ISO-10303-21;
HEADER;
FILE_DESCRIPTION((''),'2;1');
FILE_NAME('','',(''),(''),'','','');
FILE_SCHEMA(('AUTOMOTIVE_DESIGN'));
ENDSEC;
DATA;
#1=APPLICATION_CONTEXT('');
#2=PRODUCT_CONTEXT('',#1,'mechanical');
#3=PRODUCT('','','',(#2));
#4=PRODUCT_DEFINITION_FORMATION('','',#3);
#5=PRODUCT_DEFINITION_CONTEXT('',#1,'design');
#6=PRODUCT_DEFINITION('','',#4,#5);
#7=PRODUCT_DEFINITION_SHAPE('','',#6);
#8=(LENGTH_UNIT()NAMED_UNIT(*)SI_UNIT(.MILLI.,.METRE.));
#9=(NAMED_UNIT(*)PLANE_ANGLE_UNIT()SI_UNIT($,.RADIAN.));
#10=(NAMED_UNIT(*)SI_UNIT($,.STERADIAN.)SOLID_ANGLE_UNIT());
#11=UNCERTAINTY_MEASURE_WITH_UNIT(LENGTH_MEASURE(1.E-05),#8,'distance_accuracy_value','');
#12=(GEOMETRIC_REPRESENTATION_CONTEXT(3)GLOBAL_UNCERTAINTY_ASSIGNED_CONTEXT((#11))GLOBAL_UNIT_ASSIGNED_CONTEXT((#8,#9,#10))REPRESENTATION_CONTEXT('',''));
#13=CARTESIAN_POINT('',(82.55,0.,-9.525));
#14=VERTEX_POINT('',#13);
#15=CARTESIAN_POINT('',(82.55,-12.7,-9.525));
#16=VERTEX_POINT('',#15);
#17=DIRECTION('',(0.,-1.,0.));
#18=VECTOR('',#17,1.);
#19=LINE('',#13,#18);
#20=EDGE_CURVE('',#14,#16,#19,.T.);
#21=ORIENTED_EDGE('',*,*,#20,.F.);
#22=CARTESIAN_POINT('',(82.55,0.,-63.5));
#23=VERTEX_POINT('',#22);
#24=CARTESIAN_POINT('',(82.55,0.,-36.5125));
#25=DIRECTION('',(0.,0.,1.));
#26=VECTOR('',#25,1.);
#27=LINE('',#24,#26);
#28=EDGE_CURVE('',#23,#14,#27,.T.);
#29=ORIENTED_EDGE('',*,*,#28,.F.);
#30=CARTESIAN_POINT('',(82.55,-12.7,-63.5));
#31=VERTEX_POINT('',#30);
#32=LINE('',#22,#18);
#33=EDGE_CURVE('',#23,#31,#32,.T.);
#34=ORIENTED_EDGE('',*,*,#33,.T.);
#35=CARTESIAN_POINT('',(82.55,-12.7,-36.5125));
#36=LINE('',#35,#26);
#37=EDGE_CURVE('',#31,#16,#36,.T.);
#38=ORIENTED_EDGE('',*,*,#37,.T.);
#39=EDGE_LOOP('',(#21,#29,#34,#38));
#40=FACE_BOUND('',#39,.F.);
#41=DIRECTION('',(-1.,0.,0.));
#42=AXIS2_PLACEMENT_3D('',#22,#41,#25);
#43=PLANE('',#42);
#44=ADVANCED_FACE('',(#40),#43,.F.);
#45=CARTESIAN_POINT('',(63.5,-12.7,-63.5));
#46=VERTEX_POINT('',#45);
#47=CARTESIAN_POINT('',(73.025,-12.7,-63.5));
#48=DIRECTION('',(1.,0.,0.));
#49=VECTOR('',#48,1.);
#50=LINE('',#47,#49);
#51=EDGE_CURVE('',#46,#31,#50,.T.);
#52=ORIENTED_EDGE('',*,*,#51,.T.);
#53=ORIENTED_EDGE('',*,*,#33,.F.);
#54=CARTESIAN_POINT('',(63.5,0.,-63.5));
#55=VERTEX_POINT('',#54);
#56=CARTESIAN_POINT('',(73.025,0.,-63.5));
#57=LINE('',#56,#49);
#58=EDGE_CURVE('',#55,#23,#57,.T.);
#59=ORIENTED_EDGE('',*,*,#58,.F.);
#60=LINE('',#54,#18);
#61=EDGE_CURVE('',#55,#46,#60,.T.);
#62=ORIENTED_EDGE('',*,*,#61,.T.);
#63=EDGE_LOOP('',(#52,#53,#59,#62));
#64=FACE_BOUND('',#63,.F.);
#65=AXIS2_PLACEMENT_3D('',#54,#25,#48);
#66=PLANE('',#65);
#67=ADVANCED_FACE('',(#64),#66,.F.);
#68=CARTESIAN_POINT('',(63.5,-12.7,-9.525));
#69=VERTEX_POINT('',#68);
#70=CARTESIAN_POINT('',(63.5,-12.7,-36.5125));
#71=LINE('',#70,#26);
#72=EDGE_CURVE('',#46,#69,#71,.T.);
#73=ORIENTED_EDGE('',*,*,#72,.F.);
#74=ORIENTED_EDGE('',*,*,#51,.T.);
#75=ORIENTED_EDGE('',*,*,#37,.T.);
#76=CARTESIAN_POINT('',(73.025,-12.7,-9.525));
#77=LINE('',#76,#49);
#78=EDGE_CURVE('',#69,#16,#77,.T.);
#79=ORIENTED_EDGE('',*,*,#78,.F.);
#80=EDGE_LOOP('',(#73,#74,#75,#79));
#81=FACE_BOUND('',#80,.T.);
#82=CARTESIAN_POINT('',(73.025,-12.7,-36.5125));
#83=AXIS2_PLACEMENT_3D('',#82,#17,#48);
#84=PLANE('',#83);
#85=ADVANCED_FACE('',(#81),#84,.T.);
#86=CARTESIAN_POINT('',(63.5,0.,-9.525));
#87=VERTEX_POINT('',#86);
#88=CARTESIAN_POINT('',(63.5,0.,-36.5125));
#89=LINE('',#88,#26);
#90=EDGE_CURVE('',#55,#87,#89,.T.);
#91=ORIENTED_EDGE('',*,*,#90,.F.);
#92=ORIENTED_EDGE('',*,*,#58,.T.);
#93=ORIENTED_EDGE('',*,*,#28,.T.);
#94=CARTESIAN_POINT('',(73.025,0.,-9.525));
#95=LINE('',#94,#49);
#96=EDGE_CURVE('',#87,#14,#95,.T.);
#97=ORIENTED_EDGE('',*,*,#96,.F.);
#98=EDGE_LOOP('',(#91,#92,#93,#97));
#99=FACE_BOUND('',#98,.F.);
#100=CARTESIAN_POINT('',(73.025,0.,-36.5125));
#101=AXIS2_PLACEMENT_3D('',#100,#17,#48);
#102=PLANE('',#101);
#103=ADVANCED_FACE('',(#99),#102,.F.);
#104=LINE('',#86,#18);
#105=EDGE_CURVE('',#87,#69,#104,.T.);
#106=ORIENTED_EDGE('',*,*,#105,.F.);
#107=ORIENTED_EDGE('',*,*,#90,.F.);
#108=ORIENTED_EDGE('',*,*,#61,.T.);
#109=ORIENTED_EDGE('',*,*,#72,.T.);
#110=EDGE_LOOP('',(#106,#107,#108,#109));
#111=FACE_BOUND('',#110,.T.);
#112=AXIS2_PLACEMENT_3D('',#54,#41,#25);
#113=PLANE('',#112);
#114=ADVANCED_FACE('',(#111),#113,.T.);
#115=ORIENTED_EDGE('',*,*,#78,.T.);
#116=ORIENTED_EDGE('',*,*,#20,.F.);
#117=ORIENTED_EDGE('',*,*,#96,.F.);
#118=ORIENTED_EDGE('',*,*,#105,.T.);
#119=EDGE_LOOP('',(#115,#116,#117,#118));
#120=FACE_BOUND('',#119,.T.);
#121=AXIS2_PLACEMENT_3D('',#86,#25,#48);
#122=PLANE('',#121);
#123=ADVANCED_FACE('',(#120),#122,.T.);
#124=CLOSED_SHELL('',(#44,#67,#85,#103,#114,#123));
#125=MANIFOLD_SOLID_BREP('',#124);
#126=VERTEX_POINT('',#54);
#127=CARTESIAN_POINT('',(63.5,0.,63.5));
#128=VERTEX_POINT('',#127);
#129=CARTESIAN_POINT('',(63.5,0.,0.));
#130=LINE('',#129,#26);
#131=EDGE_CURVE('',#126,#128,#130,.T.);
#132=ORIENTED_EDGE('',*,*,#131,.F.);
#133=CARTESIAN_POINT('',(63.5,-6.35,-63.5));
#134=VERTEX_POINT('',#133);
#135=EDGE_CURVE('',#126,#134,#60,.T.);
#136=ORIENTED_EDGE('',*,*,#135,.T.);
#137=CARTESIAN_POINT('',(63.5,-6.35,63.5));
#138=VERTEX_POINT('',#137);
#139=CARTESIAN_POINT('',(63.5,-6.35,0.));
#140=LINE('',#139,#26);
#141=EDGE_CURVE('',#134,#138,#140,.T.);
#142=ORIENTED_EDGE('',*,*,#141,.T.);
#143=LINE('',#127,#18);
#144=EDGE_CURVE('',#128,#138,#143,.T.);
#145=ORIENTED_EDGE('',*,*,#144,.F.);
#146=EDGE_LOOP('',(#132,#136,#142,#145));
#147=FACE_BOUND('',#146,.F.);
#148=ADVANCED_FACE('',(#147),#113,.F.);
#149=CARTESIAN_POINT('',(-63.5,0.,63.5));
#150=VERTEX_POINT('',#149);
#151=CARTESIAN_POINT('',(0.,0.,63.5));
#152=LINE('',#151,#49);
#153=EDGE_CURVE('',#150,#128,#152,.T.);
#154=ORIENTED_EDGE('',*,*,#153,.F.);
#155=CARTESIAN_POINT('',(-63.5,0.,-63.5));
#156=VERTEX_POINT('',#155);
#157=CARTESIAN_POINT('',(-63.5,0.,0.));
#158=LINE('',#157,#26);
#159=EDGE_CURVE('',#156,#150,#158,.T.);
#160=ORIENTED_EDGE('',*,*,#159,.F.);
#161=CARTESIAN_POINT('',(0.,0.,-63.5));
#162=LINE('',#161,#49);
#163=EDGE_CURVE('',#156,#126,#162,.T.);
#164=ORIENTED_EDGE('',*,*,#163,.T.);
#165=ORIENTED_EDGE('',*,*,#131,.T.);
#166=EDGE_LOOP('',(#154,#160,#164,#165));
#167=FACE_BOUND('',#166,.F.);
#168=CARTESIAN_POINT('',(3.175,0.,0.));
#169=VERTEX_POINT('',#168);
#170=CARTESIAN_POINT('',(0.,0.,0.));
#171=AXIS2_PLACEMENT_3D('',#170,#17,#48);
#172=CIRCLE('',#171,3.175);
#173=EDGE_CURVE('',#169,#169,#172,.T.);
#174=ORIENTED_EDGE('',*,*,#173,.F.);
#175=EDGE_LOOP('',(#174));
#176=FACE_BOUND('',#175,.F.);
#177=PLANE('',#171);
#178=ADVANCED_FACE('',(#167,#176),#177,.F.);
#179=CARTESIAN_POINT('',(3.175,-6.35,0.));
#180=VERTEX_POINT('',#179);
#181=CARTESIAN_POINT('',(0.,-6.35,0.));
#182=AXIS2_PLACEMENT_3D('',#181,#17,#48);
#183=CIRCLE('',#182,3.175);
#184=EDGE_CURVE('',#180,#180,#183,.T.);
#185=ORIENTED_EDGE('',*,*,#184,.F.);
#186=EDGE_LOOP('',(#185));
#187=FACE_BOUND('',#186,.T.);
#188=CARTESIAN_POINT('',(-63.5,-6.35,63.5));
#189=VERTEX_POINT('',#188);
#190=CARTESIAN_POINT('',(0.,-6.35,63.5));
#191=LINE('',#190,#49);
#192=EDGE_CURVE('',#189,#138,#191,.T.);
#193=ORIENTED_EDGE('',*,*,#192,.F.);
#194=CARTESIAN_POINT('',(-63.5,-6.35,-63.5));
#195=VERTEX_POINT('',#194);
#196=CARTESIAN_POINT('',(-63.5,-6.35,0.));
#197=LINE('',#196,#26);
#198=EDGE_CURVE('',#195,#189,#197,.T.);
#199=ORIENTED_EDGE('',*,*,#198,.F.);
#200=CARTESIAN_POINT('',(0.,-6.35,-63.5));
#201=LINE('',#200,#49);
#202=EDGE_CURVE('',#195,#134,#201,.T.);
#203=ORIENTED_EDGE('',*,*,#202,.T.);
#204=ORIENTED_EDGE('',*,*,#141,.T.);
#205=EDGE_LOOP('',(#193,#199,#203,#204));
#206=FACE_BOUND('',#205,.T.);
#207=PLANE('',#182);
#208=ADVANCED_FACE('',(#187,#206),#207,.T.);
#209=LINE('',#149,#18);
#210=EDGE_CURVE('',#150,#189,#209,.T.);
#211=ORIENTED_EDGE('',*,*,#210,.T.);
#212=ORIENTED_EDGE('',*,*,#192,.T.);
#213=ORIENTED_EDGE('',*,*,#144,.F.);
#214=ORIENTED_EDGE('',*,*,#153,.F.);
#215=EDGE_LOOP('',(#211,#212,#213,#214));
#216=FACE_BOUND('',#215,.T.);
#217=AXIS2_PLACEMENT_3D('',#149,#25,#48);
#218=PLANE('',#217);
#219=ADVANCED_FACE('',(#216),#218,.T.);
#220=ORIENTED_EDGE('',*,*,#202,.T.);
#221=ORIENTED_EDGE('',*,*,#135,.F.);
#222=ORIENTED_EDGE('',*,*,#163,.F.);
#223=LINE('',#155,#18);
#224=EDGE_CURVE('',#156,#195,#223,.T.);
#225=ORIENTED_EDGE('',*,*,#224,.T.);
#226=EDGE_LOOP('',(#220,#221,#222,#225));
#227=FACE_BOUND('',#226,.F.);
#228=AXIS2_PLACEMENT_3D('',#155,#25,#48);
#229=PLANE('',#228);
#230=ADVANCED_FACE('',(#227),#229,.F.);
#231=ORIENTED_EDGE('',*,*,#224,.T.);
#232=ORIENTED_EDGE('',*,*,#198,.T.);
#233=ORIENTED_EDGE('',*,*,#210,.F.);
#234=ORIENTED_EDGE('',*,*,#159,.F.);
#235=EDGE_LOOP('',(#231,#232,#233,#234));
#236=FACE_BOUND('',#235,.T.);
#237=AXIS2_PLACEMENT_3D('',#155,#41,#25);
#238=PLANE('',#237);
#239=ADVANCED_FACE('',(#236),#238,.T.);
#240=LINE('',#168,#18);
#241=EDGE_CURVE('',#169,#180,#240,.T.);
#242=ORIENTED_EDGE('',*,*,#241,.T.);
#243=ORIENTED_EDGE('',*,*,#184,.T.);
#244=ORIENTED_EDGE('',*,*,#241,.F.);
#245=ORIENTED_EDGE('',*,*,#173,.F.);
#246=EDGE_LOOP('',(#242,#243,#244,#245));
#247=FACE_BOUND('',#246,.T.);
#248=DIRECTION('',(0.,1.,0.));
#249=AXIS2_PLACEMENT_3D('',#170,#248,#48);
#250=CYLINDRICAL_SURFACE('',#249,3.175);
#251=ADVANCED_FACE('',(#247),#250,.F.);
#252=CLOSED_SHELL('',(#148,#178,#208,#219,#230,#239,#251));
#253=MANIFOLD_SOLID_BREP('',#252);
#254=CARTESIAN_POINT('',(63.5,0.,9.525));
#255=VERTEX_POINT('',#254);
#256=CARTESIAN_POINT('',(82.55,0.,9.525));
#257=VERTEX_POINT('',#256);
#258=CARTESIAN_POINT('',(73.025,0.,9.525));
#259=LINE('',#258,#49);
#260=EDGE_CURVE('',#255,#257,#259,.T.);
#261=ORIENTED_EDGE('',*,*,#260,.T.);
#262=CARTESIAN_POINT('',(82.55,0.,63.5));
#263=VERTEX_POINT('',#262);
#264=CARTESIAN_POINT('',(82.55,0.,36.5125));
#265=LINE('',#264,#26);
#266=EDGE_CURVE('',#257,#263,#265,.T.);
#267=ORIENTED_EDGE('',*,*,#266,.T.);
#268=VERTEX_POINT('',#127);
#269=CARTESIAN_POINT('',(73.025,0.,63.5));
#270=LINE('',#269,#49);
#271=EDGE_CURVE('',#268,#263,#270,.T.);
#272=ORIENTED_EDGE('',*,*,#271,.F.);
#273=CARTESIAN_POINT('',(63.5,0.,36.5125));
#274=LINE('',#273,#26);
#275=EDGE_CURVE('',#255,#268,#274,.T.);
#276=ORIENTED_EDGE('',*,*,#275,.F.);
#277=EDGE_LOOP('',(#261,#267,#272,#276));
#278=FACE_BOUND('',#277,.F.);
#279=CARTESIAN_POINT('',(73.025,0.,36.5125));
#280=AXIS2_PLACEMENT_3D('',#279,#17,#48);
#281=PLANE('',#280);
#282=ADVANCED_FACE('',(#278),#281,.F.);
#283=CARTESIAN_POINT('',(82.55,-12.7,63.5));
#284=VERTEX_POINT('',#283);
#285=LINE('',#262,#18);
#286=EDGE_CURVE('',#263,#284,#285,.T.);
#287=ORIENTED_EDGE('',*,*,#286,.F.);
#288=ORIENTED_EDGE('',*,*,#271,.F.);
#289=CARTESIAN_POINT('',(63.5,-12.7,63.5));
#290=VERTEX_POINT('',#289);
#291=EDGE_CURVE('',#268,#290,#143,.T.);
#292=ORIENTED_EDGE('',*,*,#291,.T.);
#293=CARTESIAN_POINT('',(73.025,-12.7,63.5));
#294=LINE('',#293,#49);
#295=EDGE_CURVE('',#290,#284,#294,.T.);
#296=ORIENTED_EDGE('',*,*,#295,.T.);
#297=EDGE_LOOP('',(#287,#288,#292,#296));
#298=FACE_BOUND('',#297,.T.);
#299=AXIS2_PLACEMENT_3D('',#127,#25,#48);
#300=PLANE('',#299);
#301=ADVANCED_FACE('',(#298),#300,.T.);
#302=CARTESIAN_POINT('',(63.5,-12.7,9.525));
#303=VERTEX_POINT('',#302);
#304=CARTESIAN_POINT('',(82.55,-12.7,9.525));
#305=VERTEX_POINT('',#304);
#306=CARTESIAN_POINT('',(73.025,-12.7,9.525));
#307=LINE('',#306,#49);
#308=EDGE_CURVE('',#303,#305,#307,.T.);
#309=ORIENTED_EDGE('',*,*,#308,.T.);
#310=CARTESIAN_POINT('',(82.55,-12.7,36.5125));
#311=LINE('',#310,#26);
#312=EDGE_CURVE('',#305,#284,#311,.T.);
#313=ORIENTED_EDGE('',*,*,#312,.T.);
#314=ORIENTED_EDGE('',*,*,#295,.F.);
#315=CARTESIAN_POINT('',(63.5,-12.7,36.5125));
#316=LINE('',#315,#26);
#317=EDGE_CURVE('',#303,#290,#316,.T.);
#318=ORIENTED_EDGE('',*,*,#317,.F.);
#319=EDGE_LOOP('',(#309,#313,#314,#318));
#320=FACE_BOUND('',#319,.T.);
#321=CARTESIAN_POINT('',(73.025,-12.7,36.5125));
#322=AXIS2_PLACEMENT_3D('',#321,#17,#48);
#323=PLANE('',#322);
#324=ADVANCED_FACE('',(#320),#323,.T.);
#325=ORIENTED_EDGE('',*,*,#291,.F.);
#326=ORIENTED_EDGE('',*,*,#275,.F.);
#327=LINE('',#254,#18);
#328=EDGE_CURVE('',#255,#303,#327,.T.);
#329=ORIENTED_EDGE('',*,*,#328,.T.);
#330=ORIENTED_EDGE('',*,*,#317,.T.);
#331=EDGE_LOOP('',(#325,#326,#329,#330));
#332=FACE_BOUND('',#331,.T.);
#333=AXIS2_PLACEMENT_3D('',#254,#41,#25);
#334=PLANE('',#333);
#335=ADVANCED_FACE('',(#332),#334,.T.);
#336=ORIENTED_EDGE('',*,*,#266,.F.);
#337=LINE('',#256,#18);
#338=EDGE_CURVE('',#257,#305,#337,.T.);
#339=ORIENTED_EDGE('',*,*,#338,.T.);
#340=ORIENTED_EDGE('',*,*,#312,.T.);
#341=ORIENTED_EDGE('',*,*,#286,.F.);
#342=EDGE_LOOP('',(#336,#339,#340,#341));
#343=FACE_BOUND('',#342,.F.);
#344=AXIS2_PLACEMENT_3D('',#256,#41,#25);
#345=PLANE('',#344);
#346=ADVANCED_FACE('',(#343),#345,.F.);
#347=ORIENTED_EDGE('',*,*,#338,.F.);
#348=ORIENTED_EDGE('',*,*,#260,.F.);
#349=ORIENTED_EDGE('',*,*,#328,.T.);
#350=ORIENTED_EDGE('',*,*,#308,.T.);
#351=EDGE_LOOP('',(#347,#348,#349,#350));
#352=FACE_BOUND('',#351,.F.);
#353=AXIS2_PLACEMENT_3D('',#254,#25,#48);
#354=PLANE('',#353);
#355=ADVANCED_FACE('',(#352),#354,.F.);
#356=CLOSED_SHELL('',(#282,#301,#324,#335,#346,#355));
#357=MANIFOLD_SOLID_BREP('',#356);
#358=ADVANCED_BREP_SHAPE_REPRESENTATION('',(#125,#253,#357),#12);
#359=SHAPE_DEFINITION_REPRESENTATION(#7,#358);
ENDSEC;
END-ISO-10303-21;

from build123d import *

# Parameters (mm, degrees)
F1_W     = 19.05
F1_H     = 53.975
F2_DEPTH = 12.7
F0_W     = 127
F0_H     = 127
F0_R     = 3.175
F3_DEPTH = 6.35


with BuildPart() as f2:
    # F1 (on Front) → F2 (new body)
    with BuildSketch(Plane.XZ):
        with Locations((73.025, -36.5125)):
            Rectangle(F1_W, F1_H)
        with Locations((73.025, 36.5125)):
            Rectangle(F1_W, F1_H)
    extrude(amount=F2_DEPTH)


with BuildPart() as f3:
    # F0 (on Front) → F3 (new body)
    with BuildSketch(Plane.XZ):
        Rectangle(F0_W, F0_H)
        Circle(F0_R, mode=Mode.SUBTRACT)
    extrude(amount=F3_DEPTH)


solid = Compound([f2.part, f3.part])
